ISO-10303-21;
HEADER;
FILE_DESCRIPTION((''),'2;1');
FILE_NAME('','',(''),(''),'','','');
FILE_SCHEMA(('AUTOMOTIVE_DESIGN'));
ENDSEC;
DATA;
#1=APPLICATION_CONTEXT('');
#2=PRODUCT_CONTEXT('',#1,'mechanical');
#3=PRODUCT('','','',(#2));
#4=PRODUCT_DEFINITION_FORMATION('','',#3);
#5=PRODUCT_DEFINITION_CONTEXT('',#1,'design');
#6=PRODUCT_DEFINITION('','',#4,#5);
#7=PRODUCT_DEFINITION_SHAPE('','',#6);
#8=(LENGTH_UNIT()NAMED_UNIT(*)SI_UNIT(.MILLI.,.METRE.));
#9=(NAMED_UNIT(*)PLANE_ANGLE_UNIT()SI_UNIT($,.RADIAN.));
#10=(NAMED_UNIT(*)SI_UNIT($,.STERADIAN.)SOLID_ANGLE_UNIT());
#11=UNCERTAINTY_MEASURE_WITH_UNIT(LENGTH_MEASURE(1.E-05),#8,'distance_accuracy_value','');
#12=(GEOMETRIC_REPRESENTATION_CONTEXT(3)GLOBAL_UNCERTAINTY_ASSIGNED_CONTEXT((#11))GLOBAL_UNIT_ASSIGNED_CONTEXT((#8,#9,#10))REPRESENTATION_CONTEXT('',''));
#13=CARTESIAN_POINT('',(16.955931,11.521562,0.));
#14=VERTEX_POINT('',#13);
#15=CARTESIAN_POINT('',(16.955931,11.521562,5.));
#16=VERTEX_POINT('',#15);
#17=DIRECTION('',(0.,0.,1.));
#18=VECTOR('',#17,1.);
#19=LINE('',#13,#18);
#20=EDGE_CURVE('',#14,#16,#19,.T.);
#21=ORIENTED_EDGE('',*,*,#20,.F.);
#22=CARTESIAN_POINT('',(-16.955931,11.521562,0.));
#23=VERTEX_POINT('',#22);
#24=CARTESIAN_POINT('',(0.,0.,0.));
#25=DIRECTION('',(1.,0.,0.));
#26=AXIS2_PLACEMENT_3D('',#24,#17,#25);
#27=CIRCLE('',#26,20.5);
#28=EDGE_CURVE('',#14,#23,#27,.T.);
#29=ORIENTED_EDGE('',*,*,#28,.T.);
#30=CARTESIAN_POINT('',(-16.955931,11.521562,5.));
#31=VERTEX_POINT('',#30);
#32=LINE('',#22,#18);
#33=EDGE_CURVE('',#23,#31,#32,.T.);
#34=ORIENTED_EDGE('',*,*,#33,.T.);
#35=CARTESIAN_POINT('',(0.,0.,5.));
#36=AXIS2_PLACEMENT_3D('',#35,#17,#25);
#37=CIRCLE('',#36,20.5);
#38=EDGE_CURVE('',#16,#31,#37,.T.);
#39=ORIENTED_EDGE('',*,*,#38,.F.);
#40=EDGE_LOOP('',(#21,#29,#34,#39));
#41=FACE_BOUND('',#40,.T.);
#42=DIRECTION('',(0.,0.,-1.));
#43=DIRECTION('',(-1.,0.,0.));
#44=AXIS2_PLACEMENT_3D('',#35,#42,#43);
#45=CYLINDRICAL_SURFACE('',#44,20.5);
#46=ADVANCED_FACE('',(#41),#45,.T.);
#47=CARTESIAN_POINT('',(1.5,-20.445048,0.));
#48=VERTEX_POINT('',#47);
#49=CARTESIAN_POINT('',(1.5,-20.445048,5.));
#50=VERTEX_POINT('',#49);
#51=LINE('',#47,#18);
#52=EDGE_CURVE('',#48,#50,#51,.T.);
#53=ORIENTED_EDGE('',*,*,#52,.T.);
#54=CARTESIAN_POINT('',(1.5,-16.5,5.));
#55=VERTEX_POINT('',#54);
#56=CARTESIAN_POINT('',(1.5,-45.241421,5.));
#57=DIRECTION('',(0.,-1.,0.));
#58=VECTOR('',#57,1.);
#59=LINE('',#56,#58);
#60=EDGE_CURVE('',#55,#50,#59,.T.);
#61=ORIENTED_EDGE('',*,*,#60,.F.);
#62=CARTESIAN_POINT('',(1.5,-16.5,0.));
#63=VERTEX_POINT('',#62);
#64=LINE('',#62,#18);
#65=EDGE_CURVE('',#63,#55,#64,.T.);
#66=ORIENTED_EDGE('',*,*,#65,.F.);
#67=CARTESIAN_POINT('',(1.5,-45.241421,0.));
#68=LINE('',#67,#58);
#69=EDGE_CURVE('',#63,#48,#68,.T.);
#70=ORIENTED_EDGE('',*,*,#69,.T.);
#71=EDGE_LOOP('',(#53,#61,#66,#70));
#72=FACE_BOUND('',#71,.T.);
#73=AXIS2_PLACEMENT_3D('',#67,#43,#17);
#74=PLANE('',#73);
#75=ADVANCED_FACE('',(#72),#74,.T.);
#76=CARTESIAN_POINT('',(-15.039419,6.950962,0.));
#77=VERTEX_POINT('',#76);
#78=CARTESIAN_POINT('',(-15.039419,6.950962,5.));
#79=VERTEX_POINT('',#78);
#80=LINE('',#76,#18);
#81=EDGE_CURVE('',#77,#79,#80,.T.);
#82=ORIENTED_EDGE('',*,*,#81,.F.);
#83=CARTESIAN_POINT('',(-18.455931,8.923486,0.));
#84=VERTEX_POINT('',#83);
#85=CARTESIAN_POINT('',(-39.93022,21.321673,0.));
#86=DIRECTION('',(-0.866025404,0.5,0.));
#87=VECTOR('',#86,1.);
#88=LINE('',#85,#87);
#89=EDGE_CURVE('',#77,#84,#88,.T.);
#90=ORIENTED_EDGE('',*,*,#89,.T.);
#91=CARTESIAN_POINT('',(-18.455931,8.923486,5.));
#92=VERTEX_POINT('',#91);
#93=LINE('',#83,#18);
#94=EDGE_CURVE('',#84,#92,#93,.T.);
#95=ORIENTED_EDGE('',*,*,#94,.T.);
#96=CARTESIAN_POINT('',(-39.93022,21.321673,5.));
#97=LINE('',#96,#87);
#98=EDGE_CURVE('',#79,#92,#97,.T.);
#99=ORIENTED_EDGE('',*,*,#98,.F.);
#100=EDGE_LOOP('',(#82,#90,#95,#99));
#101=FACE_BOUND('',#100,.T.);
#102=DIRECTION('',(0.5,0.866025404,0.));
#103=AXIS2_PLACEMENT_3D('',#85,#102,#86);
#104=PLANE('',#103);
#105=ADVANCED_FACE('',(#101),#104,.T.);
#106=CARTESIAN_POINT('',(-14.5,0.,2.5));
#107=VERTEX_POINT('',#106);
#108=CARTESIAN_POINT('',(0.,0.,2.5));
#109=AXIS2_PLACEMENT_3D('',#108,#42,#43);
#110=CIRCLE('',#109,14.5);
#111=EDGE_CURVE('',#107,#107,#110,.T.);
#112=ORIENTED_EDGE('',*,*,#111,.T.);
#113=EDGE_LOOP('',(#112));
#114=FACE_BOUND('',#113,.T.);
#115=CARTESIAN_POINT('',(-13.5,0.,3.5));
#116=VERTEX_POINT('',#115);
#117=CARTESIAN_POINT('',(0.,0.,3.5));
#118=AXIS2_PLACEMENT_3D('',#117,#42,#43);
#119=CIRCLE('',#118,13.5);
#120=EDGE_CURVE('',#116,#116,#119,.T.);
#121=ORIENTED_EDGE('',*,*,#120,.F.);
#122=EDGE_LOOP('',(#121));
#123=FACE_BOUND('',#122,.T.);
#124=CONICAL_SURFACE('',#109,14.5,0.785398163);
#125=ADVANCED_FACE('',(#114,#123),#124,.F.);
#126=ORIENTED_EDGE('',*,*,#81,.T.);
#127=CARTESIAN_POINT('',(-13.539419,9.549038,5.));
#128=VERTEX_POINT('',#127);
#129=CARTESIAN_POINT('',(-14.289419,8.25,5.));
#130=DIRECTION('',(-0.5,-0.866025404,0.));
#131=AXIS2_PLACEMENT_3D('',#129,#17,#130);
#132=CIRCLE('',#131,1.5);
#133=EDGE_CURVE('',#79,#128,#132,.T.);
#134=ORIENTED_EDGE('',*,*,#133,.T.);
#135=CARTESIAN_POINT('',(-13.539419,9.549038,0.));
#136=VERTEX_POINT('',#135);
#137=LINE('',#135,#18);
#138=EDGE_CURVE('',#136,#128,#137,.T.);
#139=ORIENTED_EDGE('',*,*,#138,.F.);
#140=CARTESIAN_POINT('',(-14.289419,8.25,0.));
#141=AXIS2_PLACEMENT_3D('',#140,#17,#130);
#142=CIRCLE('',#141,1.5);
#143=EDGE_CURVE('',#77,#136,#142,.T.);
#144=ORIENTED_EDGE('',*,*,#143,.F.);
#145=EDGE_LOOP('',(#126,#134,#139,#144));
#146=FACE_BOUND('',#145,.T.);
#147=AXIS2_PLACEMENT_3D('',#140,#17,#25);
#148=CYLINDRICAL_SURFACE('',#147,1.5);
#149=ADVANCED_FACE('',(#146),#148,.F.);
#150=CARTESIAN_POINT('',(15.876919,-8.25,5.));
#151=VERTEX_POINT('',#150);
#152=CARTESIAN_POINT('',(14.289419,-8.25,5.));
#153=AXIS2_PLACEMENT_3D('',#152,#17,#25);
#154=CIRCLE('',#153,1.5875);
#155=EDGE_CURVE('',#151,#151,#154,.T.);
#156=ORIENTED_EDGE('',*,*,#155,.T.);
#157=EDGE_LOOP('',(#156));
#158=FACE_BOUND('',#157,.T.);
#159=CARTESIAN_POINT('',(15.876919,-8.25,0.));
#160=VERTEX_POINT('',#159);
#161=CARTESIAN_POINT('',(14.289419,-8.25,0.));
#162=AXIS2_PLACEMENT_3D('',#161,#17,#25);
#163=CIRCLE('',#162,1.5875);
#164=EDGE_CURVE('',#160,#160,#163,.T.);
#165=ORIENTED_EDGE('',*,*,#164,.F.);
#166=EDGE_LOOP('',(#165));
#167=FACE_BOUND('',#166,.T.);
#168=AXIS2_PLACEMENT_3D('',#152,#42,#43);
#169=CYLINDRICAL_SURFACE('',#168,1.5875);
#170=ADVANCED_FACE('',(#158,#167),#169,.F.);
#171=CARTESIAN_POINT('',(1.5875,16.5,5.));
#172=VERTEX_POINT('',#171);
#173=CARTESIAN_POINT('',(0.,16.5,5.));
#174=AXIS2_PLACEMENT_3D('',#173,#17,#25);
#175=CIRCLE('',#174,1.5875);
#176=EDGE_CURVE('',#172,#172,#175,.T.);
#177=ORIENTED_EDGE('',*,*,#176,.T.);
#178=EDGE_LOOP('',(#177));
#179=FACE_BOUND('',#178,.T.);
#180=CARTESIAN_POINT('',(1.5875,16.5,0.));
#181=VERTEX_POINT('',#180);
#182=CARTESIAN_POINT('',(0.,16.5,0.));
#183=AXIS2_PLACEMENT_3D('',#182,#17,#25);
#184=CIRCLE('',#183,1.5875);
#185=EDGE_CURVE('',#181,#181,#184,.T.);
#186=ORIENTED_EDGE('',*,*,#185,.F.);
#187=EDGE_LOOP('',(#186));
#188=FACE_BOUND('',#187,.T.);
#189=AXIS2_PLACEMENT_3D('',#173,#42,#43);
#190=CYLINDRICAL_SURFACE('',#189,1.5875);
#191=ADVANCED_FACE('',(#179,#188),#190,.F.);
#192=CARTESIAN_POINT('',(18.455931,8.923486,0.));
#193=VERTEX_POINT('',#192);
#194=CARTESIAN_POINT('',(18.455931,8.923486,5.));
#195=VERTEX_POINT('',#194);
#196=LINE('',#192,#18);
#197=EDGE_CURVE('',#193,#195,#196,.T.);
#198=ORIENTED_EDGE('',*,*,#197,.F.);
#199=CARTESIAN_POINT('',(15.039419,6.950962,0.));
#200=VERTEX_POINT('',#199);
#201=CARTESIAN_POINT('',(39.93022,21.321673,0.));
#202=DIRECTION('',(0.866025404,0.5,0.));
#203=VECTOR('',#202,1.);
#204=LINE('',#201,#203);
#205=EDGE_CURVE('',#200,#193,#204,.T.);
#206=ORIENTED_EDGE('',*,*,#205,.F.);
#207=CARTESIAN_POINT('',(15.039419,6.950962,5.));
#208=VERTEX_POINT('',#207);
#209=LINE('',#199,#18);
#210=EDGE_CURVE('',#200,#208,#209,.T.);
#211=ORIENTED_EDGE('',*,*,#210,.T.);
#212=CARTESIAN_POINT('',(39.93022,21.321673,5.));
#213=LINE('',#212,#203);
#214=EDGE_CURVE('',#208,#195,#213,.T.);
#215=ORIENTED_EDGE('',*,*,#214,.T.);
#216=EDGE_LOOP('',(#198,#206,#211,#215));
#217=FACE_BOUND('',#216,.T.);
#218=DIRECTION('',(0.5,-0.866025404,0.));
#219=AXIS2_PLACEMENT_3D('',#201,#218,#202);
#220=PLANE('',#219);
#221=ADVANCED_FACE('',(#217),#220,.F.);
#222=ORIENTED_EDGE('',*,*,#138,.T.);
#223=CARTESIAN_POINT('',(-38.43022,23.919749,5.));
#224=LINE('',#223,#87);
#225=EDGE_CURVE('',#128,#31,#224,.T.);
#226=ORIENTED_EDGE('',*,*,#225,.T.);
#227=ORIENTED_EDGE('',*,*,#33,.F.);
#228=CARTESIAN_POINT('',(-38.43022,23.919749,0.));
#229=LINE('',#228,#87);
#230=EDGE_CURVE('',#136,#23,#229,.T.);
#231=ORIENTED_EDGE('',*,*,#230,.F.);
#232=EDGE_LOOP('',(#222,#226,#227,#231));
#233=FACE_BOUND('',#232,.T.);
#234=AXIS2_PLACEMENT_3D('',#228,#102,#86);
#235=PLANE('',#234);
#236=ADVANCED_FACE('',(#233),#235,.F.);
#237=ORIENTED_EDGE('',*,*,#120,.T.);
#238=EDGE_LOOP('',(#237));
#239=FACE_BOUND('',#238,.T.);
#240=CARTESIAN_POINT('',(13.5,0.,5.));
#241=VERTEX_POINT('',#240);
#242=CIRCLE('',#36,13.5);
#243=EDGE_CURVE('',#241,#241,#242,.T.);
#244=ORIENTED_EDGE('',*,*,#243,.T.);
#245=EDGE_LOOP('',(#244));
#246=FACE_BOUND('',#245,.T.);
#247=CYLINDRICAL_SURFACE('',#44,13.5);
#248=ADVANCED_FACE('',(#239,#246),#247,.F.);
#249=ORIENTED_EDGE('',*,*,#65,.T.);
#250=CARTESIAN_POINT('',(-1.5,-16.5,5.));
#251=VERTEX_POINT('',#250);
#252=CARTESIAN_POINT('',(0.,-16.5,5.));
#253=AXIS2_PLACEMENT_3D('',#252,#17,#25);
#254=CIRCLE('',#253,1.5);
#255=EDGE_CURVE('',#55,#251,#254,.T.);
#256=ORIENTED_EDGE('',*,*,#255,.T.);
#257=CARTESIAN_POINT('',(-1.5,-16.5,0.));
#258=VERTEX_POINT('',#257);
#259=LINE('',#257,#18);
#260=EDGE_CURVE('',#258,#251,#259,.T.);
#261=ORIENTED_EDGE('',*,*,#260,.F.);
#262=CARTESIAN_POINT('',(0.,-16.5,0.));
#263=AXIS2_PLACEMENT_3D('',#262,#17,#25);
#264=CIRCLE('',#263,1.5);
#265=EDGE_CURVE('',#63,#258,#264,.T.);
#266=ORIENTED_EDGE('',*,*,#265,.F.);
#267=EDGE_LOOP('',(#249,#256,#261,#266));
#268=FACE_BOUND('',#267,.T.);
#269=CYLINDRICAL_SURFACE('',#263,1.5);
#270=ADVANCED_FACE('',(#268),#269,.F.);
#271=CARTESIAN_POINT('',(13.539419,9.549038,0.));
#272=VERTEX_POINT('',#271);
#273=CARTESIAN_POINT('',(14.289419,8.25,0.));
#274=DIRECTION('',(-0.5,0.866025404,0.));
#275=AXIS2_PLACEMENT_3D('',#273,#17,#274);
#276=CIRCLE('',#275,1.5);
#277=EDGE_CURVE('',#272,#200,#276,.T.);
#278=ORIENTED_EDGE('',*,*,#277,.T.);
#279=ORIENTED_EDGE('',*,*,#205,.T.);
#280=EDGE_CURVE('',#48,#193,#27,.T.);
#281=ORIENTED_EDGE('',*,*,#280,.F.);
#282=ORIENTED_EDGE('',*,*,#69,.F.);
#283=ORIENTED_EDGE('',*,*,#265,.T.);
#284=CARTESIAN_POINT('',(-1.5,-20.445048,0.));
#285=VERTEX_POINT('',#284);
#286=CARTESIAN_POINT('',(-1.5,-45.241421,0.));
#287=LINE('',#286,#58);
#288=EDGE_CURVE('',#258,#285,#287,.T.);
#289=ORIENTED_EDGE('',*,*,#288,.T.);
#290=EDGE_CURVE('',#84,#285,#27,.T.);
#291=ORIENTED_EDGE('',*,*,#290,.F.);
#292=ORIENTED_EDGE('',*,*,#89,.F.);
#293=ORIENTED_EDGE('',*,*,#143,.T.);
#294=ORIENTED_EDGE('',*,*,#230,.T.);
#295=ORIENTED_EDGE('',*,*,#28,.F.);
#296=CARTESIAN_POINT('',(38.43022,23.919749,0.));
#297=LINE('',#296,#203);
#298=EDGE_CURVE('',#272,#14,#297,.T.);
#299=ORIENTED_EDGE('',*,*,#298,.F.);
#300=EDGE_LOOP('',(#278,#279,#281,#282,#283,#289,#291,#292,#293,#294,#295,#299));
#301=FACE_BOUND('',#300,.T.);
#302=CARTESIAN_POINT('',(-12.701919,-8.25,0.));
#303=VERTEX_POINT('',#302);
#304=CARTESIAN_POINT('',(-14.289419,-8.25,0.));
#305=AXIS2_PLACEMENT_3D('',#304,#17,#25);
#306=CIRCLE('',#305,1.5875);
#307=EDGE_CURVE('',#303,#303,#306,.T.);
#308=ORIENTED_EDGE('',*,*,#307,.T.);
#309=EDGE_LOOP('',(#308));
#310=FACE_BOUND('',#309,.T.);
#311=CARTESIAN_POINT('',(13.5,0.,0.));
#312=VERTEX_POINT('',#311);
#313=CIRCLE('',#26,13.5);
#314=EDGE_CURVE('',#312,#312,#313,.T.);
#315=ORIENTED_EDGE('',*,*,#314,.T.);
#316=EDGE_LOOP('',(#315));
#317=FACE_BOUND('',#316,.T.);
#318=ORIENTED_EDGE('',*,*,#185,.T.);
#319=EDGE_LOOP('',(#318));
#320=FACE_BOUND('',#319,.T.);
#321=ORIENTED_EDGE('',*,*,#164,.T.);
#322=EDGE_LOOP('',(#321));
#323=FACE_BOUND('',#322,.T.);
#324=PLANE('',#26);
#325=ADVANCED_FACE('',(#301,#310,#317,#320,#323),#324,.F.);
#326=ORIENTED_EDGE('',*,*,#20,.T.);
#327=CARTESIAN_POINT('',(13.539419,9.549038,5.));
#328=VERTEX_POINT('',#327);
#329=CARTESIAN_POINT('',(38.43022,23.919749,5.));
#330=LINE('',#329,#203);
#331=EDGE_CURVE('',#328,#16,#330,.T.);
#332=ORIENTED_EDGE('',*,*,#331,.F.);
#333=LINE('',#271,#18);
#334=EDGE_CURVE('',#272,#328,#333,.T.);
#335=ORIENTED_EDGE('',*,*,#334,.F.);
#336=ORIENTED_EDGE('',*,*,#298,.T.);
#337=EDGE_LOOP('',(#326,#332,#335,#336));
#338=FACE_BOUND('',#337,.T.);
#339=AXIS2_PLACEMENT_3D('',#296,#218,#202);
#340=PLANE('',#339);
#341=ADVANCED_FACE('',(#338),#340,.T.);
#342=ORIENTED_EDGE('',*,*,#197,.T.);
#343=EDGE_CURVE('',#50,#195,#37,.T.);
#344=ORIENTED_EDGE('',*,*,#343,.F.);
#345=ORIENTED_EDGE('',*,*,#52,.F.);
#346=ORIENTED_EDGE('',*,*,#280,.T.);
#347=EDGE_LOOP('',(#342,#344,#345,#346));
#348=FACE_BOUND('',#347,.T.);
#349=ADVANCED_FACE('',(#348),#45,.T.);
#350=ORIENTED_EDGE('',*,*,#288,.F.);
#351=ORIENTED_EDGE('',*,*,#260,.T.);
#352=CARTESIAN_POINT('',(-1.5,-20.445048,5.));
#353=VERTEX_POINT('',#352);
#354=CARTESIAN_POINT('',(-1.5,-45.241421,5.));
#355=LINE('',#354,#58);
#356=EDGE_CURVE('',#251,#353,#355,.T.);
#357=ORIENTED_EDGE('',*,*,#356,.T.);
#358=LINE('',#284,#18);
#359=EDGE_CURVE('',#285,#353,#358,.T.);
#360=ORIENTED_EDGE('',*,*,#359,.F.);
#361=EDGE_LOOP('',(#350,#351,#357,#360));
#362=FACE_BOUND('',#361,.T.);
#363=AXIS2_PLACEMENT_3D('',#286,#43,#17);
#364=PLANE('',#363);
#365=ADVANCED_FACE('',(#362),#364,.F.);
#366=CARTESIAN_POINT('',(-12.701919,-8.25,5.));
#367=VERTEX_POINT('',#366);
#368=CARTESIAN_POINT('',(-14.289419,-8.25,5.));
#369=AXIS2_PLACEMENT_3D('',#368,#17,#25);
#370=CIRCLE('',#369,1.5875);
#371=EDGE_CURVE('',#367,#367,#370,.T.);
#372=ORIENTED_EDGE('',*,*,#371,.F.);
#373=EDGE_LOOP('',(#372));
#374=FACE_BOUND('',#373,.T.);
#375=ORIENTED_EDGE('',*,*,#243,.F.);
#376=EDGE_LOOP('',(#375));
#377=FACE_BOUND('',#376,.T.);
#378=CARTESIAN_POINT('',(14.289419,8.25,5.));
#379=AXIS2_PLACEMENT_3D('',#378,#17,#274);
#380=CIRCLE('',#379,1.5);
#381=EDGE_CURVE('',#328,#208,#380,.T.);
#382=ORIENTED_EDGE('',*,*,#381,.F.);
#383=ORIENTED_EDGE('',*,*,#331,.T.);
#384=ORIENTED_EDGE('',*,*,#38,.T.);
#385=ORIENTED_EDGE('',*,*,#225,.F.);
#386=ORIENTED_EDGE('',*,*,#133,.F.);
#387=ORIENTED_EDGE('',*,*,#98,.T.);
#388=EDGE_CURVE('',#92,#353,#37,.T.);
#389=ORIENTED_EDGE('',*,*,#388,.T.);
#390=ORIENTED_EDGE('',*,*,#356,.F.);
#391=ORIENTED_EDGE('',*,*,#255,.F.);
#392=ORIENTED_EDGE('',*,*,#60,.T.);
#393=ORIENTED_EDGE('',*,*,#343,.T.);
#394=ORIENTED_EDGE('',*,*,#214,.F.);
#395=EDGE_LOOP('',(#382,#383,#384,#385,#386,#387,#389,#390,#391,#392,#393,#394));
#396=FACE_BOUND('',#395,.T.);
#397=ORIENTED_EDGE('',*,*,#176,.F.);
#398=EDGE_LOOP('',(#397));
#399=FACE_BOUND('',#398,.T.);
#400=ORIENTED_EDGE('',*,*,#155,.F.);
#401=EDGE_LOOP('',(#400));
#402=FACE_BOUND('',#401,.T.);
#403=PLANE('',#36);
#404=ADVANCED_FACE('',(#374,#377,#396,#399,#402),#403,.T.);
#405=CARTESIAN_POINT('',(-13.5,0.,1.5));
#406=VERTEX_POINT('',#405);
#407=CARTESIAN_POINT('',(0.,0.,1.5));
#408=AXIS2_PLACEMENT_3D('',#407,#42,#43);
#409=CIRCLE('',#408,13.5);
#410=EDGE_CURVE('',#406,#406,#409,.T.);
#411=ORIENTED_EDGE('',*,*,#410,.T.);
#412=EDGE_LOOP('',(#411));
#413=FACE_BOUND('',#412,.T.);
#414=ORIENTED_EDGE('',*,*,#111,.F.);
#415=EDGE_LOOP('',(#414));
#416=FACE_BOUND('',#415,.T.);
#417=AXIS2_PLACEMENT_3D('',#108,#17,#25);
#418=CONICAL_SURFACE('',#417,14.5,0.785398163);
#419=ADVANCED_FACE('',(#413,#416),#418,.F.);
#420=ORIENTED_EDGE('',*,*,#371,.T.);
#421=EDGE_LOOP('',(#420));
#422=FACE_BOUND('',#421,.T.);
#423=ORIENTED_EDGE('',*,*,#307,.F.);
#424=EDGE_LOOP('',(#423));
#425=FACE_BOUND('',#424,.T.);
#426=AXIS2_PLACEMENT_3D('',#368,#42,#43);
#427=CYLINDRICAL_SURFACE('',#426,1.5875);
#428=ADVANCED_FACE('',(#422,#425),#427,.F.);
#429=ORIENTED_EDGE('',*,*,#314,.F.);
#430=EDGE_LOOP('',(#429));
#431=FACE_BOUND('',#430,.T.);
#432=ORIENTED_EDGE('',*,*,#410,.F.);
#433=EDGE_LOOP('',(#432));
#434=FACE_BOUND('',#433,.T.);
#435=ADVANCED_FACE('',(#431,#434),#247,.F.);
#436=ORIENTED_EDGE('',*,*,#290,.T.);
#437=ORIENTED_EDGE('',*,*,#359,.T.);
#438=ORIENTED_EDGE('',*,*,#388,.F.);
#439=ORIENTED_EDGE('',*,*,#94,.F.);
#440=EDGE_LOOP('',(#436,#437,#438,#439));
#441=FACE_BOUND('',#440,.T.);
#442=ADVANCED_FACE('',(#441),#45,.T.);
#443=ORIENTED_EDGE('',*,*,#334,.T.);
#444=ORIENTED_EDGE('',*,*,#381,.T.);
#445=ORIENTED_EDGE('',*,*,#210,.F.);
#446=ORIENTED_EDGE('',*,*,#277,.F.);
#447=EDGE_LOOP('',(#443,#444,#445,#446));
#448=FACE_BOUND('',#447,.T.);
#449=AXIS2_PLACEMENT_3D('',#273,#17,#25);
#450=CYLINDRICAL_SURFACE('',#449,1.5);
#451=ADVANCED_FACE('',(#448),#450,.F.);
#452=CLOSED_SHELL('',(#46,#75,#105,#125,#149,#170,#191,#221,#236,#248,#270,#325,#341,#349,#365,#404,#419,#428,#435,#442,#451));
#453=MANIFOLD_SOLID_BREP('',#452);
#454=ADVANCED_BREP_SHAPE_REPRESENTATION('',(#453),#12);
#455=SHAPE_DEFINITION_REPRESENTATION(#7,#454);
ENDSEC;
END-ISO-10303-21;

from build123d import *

# Parameters (mm, degrees)
SKETCH1_R          = 20.5
SKETCH1_R_2        = 13.5
SKETCH1_R_3        = 1.5875
EXTRUDE1_DEPTH     = 5
CUT_EXTRUDE1_DEPTH = 30.419381367
CIRPATTERN1_COUNT  = 3


with BuildPart() as part:
    # Sketch1 → Extrude1 (new body)
    with BuildSketch(Plane.XY):
        Circle(SKETCH1_R)
        Circle(SKETCH1_R_2, mode=Mode.SUBTRACT)
        with Locations((0, 16.5)):
            Circle(SKETCH1_R_3, mode=Mode.SUBTRACT)
        with Locations((14.289419162, -8.25)):
            Circle(SKETCH1_R_3, mode=Mode.SUBTRACT)
        with Locations((-14.289419162, -8.25)):
            Circle(SKETCH1_R_3, mode=Mode.SUBTRACT)
    extrude(amount=EXTRUDE1_DEPTH)

    # Sketch2 → Cut-Extrude1 (cut, through all)
    with BuildSketch(Plane.XY.offset(5)):
        with BuildLine():
            ThreePointArc((1.5, -16.5), (0, -15), (-1.5, -16.5))
            Line((-1.5, -16.5), (-1.5, -20.4450483))
            ThreePointArc((-1.5, -20.4450483), (0, -20.5), (1.5, -20.4450483))
            Line((1.5, -20.4450483), (1.5, -16.5))
        make_face()
    cut_extrude1 = extrude(amount=-CUT_EXTRUDE1_DEPTH, mode=Mode.SUBTRACT)

    # Sketch4 → Cut-Revolve3 (revolve, cut)
    with BuildSketch(Plane(origin=(0, 0, 0), x_dir=(1, 0, 0), z_dir=(0, 1, 0))):
        Polygon((-13.5, -1.5), (-14.5, -2.5), (-13.5, -3.5), align=None)
    revolve(axis=Axis((0, 0, 0), (0, 0, 1)), mode=Mode.SUBTRACT)

    # CirPattern1: Cut-Extrude1 ×3 about axis
    cirpattern1_axis = Axis((0, 0, 5), (0, 0, -1))
    for i in range(1, CIRPATTERN1_COUNT):
        add(cut_extrude1.rotate(cirpattern1_axis, i * 360 / CIRPATTERN1_COUNT), mode=Mode.SUBTRACT)


solid = part.part
